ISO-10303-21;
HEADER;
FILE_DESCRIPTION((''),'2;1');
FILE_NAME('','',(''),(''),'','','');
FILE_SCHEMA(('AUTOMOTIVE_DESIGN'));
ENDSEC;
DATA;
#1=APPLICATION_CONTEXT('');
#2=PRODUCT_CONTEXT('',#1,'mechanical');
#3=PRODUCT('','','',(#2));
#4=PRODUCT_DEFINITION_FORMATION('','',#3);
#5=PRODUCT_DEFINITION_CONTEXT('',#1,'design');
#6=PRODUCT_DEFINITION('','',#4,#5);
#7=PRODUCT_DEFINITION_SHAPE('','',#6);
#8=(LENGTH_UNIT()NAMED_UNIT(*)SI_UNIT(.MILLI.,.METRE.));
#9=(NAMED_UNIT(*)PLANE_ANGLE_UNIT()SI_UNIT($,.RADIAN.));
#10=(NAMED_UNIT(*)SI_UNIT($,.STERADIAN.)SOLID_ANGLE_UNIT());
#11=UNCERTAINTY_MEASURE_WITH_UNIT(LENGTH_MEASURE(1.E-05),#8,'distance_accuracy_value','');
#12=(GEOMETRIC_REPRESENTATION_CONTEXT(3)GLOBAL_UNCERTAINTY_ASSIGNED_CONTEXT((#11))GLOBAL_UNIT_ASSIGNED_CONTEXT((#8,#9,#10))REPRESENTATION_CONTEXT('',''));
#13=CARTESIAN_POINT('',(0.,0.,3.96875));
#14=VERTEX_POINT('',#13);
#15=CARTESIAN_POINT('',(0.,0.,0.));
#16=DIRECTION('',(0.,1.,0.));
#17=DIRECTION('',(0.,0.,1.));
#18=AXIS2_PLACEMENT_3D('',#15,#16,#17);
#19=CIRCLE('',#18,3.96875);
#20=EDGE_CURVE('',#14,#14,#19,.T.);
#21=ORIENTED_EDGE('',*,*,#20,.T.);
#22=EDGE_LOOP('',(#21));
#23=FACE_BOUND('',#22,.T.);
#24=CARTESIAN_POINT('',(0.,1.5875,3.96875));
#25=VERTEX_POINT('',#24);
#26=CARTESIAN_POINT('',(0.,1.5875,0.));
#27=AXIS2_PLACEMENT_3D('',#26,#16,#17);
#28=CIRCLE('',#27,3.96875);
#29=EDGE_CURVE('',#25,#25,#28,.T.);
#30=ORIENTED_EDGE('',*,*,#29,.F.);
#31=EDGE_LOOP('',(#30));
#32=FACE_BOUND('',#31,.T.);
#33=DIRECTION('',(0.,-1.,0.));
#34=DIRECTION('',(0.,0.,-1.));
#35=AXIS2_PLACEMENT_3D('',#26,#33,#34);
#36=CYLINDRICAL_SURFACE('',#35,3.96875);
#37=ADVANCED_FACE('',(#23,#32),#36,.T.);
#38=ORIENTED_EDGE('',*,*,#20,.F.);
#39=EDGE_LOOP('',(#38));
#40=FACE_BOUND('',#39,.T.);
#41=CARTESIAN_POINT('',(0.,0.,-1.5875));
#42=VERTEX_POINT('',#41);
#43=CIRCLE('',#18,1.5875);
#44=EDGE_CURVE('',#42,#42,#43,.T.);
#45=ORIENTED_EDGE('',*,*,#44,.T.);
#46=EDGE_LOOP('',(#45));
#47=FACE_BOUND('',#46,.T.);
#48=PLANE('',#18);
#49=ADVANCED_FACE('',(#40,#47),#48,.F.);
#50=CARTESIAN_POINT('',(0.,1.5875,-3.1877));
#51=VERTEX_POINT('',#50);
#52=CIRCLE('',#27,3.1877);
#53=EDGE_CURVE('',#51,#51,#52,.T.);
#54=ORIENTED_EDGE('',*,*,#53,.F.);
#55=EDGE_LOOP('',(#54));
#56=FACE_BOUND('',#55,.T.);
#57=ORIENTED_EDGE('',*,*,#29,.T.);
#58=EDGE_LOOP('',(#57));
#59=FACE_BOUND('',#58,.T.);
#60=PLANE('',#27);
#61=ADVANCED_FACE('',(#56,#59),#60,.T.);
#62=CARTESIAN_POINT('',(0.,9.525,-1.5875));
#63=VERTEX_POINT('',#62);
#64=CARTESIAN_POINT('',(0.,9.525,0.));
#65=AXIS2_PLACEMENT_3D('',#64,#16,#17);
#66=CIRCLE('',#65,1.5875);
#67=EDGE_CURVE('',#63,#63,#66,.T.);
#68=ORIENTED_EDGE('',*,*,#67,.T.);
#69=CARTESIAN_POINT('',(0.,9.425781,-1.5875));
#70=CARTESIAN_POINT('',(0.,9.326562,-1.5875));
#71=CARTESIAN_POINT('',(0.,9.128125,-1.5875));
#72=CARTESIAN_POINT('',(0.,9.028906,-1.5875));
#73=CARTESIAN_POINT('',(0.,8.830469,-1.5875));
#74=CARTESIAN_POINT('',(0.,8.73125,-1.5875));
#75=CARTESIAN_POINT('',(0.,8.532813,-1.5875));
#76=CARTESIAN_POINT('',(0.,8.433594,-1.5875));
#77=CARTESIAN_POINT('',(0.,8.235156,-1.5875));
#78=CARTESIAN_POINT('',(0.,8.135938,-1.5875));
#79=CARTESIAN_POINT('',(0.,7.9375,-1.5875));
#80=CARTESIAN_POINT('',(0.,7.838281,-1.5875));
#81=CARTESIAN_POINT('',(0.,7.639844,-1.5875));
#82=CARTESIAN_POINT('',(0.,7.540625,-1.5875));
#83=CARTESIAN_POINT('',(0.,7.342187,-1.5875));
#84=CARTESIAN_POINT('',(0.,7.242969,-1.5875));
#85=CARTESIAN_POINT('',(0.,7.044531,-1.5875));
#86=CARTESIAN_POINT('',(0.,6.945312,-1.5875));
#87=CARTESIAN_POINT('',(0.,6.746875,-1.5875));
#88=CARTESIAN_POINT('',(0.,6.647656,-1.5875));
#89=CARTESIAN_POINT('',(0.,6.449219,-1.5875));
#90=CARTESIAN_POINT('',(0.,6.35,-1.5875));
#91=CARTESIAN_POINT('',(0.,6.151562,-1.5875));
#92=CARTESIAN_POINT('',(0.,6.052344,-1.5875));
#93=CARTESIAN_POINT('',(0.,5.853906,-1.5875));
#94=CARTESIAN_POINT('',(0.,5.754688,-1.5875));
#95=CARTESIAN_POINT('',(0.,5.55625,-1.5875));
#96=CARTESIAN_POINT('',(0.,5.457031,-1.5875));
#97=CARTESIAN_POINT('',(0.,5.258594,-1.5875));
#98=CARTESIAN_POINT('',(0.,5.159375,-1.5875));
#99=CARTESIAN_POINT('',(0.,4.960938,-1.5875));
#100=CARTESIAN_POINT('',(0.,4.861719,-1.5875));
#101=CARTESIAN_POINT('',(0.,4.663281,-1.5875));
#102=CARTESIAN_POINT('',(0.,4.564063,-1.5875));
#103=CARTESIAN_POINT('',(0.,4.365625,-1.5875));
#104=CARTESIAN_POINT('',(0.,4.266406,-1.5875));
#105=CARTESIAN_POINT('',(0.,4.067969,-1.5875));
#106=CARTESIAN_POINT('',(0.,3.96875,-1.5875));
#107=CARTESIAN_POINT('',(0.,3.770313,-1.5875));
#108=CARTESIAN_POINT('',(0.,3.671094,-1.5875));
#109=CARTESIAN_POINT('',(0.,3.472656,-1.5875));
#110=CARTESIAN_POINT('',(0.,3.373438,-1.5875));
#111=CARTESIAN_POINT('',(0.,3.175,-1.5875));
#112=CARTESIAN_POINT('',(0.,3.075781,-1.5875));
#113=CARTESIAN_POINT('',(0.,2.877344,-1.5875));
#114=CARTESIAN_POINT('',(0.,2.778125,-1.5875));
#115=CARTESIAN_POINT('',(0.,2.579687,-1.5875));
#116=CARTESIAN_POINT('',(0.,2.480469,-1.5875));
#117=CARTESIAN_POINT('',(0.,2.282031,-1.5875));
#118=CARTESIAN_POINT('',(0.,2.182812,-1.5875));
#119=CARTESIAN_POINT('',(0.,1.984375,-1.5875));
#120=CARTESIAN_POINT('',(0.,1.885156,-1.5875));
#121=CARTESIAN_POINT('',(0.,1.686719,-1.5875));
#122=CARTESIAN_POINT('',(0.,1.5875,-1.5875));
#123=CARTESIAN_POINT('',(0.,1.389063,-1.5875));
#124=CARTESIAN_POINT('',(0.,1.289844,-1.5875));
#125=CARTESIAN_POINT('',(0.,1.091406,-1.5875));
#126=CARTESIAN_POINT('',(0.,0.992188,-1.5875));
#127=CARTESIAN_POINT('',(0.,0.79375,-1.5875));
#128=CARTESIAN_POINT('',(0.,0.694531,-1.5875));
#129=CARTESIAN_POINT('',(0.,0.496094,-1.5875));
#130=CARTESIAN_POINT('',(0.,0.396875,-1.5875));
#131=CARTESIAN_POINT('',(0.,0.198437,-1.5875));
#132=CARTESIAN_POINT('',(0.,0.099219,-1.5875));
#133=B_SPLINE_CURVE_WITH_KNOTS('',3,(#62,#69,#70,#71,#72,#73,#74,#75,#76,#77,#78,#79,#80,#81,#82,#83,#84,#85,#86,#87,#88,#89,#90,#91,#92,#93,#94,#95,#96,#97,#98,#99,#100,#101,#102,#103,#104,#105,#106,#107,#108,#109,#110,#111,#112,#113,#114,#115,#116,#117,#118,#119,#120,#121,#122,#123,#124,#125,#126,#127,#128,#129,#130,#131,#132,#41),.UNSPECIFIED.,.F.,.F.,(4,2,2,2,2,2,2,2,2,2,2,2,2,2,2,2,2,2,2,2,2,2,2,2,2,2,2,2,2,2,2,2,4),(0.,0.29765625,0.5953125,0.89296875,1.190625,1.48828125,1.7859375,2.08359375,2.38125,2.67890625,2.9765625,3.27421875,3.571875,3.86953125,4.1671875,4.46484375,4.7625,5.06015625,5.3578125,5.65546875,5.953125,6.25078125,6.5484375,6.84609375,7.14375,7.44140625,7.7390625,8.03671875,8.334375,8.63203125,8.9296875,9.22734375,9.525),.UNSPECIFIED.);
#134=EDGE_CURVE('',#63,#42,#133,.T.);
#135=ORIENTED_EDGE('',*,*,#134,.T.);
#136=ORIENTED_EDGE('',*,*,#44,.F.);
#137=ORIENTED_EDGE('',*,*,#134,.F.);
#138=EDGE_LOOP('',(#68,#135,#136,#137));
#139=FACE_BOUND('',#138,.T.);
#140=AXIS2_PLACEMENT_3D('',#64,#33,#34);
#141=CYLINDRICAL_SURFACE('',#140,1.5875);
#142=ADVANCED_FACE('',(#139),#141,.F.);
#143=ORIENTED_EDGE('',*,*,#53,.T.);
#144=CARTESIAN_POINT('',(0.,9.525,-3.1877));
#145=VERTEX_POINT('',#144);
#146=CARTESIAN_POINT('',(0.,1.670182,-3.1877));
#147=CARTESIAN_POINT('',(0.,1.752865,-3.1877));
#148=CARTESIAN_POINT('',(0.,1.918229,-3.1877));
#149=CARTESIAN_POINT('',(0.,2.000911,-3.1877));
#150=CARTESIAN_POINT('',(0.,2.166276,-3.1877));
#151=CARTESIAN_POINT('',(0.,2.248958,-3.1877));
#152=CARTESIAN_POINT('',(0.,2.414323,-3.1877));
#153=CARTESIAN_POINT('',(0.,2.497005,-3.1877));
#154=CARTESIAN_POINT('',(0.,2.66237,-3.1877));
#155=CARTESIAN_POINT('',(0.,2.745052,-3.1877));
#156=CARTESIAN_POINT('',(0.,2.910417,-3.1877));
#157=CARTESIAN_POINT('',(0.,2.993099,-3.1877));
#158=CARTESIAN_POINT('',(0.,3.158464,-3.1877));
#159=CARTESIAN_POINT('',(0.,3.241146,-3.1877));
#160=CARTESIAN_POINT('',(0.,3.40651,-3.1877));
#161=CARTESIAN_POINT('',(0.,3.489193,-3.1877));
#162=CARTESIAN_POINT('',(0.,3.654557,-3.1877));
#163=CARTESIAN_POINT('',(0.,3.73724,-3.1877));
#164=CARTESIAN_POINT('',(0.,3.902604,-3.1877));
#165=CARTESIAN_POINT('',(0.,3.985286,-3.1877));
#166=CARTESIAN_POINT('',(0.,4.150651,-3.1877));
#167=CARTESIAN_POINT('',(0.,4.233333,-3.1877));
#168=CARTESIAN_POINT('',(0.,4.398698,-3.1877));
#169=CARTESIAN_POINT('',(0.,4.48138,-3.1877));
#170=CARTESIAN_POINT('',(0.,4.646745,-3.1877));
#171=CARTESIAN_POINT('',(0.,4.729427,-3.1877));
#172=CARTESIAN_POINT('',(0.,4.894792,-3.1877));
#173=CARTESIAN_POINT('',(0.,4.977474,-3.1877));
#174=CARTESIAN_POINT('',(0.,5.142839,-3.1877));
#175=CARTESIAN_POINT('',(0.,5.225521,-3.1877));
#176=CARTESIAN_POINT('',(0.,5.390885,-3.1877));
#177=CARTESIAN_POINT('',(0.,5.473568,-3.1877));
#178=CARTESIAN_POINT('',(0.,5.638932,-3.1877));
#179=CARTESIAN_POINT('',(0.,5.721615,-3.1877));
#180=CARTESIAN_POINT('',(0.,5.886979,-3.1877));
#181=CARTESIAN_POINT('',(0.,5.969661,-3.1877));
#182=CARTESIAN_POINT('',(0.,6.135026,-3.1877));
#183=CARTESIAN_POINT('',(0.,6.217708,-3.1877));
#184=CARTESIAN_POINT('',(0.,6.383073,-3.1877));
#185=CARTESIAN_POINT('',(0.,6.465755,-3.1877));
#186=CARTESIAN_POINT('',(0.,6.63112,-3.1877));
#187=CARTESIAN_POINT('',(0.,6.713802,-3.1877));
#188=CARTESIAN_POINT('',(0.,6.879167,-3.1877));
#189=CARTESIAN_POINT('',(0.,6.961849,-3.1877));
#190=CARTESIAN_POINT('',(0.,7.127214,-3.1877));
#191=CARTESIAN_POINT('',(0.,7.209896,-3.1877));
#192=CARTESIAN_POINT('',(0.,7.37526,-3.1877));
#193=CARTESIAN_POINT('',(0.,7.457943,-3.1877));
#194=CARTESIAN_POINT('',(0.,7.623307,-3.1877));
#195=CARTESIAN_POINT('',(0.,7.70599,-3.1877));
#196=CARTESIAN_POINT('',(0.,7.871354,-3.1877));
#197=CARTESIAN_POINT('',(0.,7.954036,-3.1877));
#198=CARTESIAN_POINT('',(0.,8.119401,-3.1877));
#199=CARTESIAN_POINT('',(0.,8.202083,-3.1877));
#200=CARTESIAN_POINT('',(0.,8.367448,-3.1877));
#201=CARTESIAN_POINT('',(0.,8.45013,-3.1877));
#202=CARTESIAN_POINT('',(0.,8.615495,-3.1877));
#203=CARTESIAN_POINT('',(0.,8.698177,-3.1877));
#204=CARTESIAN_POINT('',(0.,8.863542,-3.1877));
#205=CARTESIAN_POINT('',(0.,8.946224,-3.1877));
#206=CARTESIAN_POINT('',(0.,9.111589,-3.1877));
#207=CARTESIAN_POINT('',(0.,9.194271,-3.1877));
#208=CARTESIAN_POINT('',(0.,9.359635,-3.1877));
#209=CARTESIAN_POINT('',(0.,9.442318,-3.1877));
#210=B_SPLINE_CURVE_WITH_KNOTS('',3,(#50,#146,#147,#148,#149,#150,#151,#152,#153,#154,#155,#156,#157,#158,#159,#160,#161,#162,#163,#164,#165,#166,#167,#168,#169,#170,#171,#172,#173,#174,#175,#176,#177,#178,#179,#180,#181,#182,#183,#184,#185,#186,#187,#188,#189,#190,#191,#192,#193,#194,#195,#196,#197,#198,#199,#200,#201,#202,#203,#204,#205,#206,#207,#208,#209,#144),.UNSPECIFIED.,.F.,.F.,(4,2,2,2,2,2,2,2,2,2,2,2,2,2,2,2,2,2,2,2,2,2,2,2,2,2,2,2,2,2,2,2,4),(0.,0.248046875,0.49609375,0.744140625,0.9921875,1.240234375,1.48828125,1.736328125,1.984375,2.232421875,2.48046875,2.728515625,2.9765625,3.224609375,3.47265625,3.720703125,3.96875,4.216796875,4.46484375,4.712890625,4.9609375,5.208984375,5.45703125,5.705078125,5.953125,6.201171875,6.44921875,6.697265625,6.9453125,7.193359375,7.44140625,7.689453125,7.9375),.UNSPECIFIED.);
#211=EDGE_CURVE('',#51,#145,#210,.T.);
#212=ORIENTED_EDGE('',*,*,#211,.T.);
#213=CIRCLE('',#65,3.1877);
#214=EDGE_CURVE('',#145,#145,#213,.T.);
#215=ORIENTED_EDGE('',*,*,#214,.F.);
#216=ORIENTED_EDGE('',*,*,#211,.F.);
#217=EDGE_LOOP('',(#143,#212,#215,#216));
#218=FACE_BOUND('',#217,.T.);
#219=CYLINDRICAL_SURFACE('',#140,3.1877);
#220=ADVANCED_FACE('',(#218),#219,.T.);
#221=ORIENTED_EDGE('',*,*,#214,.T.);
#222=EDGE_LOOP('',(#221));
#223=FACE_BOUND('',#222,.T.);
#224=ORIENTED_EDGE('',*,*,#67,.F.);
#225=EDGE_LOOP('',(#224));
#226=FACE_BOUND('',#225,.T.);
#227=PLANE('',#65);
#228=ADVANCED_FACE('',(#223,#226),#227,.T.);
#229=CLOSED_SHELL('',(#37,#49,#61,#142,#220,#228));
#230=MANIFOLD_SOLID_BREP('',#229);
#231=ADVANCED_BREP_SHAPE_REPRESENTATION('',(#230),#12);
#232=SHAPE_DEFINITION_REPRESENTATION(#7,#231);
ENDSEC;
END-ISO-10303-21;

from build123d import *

# Parameters (mm, degrees)
SKETCH2_R           = 3.1877
SKETCH2_R_2         = 1.5875
BOSS_EXTRUDE1_DEPTH = 9.525
SKETCH3_R           = 3.96875
SKETCH3_R_2         = 3.1877
BOSS_EXTRUDE2_DEPTH = 1.5875


with BuildPart() as part:
    # Sketch2 → Boss-Extrude1 (new body)
    with BuildSketch(Plane(origin=(0, 0, 0), x_dir=(1, 0, 0), z_dir=(0, 1, 0))):
        with Locations(Location((0, 0, 0), (0, 0, 90))):
            Circle(SKETCH2_R)
        with Locations(Location((0, 0, 0), (0, 0, 90))):
            Circle(SKETCH2_R_2, mode=Mode.SUBTRACT)
    extrude(amount=BOSS_EXTRUDE1_DEPTH)

    # Sketch3 → Boss-Extrude2 (add)
    with BuildSketch(Plane(origin=(0, 0, 0), x_dir=(1, 0, 0), z_dir=(0, 1, 0))):
        with Locations(Location((0, 0, 0), (0, 0, 270))):
            Circle(SKETCH3_R)
        with Locations(Location((0, 0, 0), (0, 0, 90))):
            Circle(SKETCH3_R_2, mode=Mode.SUBTRACT)
    extrude(amount=BOSS_EXTRUDE2_DEPTH)


solid = part.part
